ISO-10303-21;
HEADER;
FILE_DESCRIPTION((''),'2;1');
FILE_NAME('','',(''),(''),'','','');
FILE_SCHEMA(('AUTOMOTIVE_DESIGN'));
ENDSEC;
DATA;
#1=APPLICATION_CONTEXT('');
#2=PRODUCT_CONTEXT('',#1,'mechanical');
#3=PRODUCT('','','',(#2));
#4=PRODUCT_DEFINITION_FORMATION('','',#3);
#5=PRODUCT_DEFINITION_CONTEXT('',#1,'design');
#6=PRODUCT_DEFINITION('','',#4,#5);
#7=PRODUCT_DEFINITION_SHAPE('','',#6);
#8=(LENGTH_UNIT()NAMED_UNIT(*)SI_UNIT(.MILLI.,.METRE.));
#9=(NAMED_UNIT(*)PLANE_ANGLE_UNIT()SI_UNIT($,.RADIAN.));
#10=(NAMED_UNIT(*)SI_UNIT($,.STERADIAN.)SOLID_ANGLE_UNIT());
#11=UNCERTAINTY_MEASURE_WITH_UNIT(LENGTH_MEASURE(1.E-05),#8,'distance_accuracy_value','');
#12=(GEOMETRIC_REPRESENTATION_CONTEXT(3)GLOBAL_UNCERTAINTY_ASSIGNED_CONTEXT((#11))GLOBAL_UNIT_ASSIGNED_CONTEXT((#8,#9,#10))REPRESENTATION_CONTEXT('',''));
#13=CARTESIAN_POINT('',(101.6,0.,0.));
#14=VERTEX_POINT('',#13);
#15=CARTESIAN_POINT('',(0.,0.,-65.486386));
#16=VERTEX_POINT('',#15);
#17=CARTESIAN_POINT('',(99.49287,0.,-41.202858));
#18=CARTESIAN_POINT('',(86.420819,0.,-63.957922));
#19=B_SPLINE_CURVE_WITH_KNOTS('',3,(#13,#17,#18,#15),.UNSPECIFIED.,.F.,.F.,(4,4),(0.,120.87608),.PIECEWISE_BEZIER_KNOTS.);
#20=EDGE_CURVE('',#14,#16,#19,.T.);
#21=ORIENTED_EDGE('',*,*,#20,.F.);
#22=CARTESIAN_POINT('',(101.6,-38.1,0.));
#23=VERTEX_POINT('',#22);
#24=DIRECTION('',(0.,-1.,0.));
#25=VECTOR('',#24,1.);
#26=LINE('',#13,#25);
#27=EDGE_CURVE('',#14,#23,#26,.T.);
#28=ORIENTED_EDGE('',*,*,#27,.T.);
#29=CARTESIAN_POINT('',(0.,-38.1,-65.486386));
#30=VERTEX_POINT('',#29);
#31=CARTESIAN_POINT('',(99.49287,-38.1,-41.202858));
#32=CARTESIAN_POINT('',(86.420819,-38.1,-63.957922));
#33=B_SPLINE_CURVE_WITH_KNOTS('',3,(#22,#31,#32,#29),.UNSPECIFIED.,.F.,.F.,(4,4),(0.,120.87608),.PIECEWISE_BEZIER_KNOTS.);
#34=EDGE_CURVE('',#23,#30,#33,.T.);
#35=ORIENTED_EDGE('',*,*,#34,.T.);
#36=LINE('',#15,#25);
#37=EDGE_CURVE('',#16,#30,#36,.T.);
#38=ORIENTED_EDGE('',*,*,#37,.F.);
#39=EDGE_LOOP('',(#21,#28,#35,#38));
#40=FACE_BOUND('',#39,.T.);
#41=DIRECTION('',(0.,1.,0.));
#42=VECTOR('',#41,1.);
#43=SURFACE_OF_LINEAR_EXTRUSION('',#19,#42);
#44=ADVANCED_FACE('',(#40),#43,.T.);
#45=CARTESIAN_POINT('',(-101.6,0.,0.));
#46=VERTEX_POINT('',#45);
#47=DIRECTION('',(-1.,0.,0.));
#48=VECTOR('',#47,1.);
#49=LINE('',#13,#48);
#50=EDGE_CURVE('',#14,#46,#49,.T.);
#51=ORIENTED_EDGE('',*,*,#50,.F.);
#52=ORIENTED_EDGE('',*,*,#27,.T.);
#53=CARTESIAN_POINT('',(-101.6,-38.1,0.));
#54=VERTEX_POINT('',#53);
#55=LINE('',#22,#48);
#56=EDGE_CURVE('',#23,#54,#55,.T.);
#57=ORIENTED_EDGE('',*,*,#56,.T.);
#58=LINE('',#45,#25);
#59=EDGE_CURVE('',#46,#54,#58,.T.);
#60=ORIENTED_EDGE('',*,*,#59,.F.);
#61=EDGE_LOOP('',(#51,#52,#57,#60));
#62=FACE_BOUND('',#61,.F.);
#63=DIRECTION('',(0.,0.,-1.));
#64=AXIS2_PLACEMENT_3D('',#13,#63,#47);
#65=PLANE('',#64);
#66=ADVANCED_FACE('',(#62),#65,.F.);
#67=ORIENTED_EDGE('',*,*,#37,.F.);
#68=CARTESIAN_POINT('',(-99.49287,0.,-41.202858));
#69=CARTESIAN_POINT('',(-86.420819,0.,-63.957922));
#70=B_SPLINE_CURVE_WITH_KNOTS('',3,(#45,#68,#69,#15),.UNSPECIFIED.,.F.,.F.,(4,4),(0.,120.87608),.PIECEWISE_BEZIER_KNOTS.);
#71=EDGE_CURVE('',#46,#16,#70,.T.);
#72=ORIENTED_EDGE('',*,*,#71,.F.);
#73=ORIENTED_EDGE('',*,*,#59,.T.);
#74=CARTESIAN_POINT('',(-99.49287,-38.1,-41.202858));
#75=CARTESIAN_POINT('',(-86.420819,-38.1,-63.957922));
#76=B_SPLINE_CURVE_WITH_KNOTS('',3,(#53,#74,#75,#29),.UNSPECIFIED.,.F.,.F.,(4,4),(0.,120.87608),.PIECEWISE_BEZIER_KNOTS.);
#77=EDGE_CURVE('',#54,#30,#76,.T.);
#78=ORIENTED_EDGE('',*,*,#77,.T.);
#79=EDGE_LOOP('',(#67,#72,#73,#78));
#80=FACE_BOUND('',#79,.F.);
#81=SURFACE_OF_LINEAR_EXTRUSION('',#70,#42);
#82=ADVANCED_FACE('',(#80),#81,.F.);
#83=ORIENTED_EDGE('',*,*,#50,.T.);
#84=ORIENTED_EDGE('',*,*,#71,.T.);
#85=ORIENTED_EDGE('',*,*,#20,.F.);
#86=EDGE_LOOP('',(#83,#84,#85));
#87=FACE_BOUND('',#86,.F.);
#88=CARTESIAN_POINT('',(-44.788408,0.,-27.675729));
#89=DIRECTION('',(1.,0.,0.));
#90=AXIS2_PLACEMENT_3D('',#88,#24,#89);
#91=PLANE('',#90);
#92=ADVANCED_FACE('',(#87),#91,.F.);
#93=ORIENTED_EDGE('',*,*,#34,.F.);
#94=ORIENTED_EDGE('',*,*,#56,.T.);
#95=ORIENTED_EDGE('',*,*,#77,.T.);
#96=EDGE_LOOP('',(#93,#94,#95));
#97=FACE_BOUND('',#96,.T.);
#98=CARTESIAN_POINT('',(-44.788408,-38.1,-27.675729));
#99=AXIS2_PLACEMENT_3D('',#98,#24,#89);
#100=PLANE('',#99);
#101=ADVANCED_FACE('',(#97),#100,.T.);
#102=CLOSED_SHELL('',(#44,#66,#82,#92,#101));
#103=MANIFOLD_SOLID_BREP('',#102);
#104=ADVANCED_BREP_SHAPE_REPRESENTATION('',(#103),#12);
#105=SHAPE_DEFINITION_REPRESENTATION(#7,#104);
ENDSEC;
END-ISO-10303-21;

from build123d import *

# Parameters (mm, degrees)
F1_DEPTH = 38.1


with BuildPart() as f1:
    # F0 (on Front) → F1 (new body)
    with BuildSketch(Plane.XZ):
        with BuildLine():
            Line((0, 0), (-101.6, 0))
            add(Edge.make_bspline(
                [(-101.6, 0), (-99.49287, -41.202858), (-86.420819, -63.957922), (0, -65.486386)],
                knots=[0, 0, 0, 0, 120.87608, 120.87608, 120.87608, 120.87608], degree=3))
            Line((0, -65.486386), (0, 0))
        make_face()
        with BuildLine():
            Line((101.6, 0), (0, 0))
            Line((0, 0), (0, -65.486386))
            add(Edge.make_bspline(
                [(101.6, 0), (99.49287, -41.202858), (86.420819, -63.957922), (0, -65.486386)],
                knots=[0, 0, 0, 0, 120.87608, 120.87608, 120.87608, 120.87608], degree=3))
        make_face()
    extrude(amount=F1_DEPTH)


solid = f1.part
